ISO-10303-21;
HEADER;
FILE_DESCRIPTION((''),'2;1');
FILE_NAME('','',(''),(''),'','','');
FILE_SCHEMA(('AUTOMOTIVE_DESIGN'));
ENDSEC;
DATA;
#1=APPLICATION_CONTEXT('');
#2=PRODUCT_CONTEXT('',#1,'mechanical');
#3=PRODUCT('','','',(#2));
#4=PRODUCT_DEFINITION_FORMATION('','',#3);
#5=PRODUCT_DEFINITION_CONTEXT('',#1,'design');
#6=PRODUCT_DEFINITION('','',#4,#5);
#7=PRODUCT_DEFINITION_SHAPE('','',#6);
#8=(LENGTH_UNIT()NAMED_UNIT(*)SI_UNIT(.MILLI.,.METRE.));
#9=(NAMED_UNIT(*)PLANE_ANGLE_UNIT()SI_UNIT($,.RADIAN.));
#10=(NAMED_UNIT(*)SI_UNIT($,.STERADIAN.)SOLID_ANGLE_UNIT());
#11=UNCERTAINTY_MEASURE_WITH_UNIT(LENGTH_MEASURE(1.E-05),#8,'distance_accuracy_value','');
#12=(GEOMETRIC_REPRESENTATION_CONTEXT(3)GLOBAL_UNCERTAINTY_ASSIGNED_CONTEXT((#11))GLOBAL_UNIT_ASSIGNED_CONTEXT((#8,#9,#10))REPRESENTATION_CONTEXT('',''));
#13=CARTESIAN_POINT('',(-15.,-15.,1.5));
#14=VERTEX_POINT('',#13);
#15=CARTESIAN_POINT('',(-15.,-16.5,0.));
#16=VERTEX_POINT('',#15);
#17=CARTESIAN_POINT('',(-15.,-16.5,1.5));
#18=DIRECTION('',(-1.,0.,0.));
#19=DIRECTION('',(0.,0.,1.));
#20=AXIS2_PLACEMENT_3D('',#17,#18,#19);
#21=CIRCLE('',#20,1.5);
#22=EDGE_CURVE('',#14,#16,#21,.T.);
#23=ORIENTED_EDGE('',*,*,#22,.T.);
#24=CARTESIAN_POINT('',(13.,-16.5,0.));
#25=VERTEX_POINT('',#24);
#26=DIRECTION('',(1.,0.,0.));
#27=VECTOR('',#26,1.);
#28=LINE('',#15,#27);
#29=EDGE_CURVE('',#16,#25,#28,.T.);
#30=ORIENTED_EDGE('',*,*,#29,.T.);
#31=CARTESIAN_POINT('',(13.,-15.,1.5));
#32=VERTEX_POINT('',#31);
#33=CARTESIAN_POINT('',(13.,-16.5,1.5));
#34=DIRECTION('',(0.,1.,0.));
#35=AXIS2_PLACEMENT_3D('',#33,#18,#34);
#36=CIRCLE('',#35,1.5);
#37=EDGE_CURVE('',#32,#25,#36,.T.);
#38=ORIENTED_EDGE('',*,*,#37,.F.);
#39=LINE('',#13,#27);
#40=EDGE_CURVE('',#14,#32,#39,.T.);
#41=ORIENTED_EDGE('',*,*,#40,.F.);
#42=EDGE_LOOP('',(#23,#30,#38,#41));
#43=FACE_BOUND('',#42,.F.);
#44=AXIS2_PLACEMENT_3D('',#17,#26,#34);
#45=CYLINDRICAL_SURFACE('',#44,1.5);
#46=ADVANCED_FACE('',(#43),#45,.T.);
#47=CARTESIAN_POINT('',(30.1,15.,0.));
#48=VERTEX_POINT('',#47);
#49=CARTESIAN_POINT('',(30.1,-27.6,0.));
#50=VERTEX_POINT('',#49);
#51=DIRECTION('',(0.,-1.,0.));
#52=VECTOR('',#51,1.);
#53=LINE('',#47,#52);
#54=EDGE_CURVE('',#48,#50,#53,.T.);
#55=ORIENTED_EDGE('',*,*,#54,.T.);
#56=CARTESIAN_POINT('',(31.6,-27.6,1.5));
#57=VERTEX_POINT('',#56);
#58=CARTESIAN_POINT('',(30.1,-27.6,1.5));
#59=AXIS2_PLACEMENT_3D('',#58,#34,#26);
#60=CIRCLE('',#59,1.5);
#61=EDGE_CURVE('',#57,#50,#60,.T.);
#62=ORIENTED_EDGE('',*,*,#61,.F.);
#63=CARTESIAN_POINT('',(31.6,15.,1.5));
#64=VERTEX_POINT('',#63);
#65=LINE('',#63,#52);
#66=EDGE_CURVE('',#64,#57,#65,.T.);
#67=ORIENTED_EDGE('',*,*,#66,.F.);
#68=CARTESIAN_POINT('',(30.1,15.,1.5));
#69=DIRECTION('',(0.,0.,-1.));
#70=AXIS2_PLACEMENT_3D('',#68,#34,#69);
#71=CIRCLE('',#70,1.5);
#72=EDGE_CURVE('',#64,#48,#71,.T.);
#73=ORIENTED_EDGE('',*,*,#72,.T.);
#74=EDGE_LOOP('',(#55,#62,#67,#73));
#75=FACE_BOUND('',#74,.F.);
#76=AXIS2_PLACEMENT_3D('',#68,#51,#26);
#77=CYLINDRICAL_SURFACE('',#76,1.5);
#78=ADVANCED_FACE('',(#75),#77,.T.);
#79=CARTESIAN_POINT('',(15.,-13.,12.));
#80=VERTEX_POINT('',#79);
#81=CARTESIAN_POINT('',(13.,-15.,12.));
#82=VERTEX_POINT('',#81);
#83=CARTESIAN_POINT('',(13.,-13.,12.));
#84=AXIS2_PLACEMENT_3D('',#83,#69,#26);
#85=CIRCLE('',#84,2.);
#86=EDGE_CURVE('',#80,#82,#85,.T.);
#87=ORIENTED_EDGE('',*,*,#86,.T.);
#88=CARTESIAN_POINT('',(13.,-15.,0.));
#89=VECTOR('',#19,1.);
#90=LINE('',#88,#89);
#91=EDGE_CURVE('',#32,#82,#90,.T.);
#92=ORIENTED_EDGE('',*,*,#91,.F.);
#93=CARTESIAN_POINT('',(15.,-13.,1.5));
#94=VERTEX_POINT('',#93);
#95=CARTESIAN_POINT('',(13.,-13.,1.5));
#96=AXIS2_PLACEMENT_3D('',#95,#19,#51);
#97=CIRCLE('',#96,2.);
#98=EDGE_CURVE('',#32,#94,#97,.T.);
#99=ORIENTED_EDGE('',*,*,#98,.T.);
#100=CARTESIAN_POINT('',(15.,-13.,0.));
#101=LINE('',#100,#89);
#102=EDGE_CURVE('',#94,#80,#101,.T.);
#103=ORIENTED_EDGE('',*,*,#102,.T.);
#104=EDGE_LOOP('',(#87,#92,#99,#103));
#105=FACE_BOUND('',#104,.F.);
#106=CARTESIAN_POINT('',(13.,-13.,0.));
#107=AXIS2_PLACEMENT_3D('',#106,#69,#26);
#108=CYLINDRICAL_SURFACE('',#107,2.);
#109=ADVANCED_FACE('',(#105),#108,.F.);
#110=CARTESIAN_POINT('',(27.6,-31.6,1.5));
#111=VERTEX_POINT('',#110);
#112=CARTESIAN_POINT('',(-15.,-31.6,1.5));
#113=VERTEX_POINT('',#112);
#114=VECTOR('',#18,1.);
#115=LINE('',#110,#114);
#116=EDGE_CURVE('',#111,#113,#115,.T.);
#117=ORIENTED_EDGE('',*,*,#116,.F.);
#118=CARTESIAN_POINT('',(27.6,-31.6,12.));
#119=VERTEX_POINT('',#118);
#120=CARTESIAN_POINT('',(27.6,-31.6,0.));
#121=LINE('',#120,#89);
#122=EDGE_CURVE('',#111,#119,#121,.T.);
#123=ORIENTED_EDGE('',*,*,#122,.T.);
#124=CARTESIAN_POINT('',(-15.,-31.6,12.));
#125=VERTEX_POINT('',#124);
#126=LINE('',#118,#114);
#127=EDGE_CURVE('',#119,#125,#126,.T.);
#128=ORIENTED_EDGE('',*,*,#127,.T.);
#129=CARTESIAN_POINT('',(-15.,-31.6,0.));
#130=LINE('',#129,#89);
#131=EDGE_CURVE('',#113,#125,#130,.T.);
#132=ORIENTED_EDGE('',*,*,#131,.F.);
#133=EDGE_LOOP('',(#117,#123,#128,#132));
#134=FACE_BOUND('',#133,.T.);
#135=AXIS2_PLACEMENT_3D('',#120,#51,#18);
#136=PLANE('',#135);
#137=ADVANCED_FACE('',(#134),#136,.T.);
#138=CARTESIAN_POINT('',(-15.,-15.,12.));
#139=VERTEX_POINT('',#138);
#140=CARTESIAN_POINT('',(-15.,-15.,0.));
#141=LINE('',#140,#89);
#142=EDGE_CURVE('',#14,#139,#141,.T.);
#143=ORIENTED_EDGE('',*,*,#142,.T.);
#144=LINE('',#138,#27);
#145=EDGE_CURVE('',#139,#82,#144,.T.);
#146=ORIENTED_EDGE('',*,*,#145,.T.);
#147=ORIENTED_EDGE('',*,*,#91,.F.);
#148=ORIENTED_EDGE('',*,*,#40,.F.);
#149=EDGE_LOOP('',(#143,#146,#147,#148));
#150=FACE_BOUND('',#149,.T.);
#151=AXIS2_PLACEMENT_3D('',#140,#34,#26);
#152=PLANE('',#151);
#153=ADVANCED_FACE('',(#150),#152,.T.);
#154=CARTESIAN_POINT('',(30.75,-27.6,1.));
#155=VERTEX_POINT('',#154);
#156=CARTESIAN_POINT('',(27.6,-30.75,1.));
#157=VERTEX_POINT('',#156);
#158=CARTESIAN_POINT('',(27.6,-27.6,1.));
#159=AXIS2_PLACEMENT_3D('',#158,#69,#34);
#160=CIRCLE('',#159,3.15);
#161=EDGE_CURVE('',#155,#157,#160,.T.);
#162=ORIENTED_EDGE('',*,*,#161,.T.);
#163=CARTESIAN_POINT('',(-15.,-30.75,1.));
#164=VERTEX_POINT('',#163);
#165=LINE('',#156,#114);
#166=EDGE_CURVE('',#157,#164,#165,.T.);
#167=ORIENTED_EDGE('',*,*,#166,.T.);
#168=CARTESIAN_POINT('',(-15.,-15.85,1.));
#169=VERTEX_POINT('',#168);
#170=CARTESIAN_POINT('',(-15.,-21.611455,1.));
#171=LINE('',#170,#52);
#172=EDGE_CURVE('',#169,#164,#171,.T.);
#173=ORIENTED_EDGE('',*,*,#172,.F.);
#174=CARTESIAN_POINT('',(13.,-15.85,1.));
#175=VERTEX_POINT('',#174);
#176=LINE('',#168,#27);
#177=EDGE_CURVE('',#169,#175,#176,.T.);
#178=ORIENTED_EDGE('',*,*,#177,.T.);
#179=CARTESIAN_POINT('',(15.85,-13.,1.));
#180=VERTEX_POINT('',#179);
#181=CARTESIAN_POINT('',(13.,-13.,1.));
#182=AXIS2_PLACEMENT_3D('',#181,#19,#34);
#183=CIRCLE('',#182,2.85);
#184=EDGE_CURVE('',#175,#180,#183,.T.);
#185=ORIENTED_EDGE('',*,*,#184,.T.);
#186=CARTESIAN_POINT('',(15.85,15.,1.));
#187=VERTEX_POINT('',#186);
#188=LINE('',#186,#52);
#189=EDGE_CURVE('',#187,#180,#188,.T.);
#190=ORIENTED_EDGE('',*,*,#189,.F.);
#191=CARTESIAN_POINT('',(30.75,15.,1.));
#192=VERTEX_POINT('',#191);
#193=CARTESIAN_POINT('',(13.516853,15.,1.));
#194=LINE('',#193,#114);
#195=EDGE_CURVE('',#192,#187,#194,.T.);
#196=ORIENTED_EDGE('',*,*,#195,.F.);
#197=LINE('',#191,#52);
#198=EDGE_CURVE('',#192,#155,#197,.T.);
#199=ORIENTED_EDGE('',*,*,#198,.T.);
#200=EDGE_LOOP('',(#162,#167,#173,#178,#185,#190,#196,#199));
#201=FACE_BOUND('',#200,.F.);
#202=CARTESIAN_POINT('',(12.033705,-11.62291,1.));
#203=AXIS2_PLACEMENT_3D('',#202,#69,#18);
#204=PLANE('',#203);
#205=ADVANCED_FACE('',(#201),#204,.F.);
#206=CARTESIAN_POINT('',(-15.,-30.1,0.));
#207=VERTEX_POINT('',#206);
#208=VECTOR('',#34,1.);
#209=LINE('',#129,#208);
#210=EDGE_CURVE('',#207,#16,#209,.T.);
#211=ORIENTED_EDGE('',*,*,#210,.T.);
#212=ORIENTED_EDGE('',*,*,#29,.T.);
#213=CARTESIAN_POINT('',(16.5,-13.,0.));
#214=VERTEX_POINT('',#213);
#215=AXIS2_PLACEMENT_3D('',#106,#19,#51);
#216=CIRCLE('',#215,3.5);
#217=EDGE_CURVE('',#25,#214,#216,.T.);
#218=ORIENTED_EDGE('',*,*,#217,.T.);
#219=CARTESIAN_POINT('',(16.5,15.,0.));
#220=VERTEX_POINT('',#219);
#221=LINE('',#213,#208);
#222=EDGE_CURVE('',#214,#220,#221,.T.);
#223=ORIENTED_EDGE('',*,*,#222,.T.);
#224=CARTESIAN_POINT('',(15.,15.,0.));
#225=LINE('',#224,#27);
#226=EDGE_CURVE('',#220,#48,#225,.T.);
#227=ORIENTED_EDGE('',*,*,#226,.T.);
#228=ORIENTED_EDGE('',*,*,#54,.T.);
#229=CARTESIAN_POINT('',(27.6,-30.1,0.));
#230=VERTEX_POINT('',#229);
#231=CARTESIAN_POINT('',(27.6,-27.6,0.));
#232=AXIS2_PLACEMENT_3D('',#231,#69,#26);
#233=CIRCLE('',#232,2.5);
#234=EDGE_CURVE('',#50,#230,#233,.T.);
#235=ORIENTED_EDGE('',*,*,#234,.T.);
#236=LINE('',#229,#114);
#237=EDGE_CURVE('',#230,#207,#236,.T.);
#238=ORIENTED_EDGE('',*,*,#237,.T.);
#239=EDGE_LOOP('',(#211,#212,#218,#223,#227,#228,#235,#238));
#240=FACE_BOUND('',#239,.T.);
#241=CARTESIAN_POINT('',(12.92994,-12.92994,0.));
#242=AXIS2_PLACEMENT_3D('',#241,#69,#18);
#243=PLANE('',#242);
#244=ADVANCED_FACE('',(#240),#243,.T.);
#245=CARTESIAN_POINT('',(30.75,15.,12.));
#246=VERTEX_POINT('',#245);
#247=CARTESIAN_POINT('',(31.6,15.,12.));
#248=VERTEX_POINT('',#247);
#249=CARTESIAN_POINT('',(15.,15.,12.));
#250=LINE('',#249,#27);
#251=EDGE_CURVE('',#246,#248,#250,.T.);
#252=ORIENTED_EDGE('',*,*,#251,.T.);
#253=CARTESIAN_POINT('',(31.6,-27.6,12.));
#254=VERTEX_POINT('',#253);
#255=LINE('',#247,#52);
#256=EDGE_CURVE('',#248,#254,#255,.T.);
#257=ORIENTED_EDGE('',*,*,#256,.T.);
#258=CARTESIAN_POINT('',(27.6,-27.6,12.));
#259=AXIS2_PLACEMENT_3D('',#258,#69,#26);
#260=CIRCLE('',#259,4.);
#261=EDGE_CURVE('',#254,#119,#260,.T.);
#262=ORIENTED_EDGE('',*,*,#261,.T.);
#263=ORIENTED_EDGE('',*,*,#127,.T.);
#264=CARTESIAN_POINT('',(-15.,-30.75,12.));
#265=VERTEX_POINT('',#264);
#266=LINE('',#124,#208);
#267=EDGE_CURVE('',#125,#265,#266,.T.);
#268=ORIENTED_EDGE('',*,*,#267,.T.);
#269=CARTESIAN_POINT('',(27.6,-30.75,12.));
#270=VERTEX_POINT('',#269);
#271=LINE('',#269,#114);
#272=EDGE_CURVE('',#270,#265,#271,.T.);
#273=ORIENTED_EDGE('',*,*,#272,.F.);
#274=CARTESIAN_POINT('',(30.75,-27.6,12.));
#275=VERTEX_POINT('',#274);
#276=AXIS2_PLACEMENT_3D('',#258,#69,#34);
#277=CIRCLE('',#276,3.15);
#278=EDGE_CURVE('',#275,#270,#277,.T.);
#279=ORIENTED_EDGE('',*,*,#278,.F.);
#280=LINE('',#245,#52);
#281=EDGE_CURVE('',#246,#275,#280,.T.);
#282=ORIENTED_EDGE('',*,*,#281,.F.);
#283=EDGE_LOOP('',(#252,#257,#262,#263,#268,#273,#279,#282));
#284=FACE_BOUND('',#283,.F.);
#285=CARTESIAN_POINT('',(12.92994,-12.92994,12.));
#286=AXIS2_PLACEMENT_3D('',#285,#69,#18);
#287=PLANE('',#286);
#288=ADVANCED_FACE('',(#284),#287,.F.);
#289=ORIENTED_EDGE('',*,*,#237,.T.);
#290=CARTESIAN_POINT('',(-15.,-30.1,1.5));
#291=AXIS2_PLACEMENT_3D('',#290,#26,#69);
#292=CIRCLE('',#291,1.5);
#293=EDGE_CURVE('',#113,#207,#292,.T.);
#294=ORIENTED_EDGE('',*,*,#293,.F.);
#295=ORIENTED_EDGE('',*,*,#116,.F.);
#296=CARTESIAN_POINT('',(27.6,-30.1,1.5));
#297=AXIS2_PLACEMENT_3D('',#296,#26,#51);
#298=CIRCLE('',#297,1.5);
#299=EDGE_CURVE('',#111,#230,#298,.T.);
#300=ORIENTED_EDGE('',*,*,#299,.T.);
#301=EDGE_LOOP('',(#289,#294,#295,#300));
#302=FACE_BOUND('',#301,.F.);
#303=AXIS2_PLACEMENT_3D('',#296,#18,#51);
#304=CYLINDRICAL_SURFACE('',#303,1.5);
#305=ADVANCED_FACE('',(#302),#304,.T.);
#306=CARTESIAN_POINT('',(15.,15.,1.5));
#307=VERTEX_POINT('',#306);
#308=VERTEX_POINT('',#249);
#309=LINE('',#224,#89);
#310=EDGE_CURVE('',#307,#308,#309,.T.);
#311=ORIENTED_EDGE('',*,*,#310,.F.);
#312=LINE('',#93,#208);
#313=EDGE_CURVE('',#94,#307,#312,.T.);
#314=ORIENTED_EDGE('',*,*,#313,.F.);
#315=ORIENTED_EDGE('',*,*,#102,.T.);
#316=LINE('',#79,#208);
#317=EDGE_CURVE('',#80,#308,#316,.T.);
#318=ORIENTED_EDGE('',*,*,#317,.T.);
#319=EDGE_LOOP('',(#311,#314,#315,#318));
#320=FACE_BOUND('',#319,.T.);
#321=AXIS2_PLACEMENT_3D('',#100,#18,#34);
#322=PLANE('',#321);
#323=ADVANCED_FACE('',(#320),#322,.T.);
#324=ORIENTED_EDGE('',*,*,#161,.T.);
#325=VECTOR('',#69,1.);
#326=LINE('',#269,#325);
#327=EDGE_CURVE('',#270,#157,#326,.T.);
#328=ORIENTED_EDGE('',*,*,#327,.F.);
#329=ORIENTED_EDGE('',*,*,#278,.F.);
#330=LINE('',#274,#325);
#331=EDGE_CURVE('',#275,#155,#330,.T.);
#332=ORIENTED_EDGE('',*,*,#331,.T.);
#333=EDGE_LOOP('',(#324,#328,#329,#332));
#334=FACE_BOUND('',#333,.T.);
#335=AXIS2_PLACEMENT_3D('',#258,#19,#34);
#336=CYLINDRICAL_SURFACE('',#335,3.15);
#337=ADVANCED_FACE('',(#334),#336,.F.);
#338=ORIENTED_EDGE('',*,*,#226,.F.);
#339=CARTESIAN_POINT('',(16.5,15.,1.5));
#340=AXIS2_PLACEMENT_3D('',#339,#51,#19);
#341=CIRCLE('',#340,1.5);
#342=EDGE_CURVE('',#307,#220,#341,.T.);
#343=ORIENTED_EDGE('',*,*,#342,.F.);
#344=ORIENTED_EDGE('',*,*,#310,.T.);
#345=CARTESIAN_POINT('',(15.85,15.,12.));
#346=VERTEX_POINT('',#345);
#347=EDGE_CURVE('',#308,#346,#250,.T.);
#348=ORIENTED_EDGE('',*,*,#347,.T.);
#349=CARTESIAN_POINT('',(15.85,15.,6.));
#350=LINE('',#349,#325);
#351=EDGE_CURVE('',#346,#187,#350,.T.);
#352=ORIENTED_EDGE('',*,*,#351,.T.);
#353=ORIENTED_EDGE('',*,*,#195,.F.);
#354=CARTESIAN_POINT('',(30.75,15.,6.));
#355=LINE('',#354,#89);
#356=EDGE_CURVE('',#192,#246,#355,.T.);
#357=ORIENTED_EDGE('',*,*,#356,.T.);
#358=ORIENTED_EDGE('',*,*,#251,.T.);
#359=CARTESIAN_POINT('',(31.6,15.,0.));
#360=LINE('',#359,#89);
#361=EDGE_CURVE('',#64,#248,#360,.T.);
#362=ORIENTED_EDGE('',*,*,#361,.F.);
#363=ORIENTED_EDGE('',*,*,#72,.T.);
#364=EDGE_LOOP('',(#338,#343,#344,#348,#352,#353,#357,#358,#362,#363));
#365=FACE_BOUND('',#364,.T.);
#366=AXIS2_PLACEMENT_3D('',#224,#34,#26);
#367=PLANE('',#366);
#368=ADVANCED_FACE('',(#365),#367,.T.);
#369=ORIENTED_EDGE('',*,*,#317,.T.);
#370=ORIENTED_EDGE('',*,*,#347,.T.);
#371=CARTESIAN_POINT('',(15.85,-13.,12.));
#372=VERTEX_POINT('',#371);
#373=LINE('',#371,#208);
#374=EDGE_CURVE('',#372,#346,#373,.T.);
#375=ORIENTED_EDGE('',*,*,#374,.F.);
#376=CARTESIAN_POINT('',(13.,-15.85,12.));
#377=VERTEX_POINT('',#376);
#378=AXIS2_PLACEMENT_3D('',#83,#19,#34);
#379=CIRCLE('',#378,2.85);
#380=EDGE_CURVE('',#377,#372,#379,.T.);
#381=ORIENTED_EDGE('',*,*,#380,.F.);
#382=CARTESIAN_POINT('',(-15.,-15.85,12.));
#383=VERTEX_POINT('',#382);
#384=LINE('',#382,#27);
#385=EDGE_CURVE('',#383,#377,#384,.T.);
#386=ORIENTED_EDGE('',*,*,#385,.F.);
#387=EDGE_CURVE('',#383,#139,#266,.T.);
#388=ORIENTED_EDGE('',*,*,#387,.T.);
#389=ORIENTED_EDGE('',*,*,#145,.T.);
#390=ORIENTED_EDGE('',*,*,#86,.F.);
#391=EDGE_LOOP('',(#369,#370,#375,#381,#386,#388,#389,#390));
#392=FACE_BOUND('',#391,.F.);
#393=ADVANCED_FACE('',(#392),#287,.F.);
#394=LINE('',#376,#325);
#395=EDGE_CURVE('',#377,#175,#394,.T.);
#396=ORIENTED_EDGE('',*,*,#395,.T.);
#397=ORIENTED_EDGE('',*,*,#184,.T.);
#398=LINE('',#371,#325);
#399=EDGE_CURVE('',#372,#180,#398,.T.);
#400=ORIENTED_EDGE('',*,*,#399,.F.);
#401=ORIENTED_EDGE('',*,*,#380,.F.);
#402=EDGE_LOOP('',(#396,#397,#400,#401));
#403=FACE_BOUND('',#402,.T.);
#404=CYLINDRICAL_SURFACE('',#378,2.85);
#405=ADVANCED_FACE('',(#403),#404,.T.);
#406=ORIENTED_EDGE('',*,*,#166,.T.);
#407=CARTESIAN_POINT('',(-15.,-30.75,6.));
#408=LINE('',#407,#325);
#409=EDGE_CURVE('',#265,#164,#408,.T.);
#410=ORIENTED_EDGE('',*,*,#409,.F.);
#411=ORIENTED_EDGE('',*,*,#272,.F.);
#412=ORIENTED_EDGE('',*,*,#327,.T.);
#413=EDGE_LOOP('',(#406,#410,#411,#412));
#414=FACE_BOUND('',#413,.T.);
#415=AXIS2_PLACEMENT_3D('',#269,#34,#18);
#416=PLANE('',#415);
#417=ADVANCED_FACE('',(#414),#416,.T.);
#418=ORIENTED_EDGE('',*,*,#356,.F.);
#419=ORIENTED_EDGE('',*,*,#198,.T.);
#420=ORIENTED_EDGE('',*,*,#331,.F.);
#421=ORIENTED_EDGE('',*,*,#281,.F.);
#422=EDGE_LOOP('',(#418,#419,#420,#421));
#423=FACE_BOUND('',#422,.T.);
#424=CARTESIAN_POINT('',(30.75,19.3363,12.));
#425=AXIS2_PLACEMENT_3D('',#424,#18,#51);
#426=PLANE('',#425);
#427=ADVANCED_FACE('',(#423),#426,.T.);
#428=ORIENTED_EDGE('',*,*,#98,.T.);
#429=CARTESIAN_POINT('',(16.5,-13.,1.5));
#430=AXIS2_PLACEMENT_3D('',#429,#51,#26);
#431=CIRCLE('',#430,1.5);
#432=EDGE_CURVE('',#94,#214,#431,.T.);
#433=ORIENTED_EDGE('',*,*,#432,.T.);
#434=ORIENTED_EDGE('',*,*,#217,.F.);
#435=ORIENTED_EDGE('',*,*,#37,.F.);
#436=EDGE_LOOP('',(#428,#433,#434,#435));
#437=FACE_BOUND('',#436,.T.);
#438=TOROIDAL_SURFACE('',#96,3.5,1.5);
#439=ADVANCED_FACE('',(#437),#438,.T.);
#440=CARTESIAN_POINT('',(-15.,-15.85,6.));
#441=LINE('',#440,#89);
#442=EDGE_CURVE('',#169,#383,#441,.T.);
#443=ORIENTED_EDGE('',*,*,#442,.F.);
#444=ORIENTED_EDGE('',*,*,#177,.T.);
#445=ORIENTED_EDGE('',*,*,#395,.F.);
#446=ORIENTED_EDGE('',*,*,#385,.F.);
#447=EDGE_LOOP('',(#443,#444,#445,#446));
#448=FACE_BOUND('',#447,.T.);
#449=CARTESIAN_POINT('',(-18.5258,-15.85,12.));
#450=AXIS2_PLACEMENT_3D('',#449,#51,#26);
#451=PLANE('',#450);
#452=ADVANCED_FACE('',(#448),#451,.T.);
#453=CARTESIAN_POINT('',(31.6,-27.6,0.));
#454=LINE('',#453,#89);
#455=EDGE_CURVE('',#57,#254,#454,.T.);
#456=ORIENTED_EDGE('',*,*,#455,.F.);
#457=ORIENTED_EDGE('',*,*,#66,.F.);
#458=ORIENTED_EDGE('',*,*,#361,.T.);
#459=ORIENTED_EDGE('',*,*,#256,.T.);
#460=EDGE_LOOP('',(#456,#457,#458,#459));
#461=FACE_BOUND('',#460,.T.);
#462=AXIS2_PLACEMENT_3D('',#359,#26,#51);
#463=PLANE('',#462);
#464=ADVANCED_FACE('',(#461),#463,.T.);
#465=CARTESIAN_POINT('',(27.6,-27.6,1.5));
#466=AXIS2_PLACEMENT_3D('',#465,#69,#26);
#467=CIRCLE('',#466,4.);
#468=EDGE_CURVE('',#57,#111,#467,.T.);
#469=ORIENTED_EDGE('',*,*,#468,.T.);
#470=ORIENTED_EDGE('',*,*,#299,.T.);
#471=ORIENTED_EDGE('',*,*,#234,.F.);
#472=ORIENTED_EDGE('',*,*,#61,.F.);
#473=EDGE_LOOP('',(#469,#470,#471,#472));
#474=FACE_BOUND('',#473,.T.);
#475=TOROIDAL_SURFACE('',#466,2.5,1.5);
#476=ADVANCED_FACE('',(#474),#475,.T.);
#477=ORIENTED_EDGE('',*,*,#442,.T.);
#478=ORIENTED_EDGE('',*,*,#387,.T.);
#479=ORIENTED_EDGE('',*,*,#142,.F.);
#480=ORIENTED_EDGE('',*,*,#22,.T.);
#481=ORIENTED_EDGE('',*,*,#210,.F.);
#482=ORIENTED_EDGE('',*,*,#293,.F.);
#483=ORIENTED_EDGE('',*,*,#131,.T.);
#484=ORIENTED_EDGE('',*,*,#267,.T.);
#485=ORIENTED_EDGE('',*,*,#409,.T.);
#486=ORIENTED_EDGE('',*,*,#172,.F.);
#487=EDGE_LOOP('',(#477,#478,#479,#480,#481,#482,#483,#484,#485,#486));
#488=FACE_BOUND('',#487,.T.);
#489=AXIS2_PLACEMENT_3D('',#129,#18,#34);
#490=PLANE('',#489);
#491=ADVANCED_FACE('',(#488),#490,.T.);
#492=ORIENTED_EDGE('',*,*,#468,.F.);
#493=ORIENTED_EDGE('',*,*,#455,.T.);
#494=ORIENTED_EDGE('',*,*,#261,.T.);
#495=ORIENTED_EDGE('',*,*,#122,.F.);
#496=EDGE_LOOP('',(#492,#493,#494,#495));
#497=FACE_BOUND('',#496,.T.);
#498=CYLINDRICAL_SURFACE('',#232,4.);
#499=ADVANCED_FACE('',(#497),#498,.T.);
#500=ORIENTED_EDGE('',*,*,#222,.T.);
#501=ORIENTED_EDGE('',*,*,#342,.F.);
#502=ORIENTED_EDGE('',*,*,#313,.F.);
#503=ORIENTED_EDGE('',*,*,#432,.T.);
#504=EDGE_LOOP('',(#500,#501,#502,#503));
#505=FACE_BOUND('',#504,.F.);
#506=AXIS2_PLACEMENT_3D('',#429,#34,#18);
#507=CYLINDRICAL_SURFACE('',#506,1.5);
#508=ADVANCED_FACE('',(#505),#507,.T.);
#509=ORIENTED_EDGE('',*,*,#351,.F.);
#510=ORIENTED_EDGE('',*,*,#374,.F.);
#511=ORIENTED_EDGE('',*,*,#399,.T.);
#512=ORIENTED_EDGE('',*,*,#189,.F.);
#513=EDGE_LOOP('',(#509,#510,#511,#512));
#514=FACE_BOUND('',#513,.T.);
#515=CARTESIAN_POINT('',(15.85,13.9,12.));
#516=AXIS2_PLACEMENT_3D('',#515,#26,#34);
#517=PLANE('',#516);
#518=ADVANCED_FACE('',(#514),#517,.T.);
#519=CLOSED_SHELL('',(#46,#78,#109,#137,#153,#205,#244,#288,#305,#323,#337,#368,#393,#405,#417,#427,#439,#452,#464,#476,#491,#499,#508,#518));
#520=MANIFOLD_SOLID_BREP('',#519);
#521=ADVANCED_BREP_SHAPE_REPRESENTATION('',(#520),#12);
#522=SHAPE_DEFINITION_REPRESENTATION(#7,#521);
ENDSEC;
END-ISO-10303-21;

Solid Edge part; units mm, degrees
sketch "Sketch1" plane through (0, 0, 0) normal (0, 0, 1) x (1, 0, 0)
  line L0 (27.6, -31.6) -> (-15, -31.6)
  line L1 (-15, -31.6) -> (-15, -15)
  line L2 (-15, -15) -> (13, -15)
  arc A0 (15, -13) -> (13, -15) centre (13, -13) cw
  line L3 (15, -13) -> (15, 15)
  line L4 (15, 15) -> (31.6, 15)
  line L5 (31.6, 15) -> (31.6, -27.6)
  arc A1 (31.6, -27.6) -> (27.6, -31.6) centre (27.6, -27.6) cw
extrude "Protrusion1" add sketch "Sketch1" along normal blind 12
fillet "Rotondo_1" radius 1.5 6 edges at (6.3, -31.6, 0) (30.4284, -30.4284, 0) (31.6, -6.3, 0) (-1, -15, 0) (14.4142, -14.4142, 0) (15, 1, 0)
sketch "Sketch2" plane through (7.5, -7.5, 12) normal (0, 0, 1) x (0, 1, 0)
  line L0 (26.8363, -8.35) -> (26.8363, -23.25)
  line L1 (26.8363, -23.25) -> (21.4, -23.25)
  line L2 (21.4, -23.25) -> (-20.1, -23.25)
  arc A0 (-20.1, -23.25) -> (-23.25, -20.1) centre (-20.1, -20.1) cw
  line L3 (-23.25, -20.1) -> (-23.25, 21.4)
  line L4 (-23.25, 21.4) -> (-23.25, 26.0258)
  line L5 (-23.25, 26.0258) -> (-8.35, 26.0258)
  line L6 (-8.35, 26.0258) -> (-8.35, 21.4)
  line L7 (-8.35, 21.4) -> (-8.35, -5.5)
  arc A1 (-8.35, -5.5) -> (-5.5, -8.35) centre (-5.5, -5.5) ccw
  line L8 (-5.5, -8.35) -> (21.4, -8.35)
  line L9 (21.4, -8.35) -> (26.8363, -8.35)
  dimension "D1" = 0.85
extrude "ScavoEstrusione_3" cut sketch "Sketch2" against normal blind 11
